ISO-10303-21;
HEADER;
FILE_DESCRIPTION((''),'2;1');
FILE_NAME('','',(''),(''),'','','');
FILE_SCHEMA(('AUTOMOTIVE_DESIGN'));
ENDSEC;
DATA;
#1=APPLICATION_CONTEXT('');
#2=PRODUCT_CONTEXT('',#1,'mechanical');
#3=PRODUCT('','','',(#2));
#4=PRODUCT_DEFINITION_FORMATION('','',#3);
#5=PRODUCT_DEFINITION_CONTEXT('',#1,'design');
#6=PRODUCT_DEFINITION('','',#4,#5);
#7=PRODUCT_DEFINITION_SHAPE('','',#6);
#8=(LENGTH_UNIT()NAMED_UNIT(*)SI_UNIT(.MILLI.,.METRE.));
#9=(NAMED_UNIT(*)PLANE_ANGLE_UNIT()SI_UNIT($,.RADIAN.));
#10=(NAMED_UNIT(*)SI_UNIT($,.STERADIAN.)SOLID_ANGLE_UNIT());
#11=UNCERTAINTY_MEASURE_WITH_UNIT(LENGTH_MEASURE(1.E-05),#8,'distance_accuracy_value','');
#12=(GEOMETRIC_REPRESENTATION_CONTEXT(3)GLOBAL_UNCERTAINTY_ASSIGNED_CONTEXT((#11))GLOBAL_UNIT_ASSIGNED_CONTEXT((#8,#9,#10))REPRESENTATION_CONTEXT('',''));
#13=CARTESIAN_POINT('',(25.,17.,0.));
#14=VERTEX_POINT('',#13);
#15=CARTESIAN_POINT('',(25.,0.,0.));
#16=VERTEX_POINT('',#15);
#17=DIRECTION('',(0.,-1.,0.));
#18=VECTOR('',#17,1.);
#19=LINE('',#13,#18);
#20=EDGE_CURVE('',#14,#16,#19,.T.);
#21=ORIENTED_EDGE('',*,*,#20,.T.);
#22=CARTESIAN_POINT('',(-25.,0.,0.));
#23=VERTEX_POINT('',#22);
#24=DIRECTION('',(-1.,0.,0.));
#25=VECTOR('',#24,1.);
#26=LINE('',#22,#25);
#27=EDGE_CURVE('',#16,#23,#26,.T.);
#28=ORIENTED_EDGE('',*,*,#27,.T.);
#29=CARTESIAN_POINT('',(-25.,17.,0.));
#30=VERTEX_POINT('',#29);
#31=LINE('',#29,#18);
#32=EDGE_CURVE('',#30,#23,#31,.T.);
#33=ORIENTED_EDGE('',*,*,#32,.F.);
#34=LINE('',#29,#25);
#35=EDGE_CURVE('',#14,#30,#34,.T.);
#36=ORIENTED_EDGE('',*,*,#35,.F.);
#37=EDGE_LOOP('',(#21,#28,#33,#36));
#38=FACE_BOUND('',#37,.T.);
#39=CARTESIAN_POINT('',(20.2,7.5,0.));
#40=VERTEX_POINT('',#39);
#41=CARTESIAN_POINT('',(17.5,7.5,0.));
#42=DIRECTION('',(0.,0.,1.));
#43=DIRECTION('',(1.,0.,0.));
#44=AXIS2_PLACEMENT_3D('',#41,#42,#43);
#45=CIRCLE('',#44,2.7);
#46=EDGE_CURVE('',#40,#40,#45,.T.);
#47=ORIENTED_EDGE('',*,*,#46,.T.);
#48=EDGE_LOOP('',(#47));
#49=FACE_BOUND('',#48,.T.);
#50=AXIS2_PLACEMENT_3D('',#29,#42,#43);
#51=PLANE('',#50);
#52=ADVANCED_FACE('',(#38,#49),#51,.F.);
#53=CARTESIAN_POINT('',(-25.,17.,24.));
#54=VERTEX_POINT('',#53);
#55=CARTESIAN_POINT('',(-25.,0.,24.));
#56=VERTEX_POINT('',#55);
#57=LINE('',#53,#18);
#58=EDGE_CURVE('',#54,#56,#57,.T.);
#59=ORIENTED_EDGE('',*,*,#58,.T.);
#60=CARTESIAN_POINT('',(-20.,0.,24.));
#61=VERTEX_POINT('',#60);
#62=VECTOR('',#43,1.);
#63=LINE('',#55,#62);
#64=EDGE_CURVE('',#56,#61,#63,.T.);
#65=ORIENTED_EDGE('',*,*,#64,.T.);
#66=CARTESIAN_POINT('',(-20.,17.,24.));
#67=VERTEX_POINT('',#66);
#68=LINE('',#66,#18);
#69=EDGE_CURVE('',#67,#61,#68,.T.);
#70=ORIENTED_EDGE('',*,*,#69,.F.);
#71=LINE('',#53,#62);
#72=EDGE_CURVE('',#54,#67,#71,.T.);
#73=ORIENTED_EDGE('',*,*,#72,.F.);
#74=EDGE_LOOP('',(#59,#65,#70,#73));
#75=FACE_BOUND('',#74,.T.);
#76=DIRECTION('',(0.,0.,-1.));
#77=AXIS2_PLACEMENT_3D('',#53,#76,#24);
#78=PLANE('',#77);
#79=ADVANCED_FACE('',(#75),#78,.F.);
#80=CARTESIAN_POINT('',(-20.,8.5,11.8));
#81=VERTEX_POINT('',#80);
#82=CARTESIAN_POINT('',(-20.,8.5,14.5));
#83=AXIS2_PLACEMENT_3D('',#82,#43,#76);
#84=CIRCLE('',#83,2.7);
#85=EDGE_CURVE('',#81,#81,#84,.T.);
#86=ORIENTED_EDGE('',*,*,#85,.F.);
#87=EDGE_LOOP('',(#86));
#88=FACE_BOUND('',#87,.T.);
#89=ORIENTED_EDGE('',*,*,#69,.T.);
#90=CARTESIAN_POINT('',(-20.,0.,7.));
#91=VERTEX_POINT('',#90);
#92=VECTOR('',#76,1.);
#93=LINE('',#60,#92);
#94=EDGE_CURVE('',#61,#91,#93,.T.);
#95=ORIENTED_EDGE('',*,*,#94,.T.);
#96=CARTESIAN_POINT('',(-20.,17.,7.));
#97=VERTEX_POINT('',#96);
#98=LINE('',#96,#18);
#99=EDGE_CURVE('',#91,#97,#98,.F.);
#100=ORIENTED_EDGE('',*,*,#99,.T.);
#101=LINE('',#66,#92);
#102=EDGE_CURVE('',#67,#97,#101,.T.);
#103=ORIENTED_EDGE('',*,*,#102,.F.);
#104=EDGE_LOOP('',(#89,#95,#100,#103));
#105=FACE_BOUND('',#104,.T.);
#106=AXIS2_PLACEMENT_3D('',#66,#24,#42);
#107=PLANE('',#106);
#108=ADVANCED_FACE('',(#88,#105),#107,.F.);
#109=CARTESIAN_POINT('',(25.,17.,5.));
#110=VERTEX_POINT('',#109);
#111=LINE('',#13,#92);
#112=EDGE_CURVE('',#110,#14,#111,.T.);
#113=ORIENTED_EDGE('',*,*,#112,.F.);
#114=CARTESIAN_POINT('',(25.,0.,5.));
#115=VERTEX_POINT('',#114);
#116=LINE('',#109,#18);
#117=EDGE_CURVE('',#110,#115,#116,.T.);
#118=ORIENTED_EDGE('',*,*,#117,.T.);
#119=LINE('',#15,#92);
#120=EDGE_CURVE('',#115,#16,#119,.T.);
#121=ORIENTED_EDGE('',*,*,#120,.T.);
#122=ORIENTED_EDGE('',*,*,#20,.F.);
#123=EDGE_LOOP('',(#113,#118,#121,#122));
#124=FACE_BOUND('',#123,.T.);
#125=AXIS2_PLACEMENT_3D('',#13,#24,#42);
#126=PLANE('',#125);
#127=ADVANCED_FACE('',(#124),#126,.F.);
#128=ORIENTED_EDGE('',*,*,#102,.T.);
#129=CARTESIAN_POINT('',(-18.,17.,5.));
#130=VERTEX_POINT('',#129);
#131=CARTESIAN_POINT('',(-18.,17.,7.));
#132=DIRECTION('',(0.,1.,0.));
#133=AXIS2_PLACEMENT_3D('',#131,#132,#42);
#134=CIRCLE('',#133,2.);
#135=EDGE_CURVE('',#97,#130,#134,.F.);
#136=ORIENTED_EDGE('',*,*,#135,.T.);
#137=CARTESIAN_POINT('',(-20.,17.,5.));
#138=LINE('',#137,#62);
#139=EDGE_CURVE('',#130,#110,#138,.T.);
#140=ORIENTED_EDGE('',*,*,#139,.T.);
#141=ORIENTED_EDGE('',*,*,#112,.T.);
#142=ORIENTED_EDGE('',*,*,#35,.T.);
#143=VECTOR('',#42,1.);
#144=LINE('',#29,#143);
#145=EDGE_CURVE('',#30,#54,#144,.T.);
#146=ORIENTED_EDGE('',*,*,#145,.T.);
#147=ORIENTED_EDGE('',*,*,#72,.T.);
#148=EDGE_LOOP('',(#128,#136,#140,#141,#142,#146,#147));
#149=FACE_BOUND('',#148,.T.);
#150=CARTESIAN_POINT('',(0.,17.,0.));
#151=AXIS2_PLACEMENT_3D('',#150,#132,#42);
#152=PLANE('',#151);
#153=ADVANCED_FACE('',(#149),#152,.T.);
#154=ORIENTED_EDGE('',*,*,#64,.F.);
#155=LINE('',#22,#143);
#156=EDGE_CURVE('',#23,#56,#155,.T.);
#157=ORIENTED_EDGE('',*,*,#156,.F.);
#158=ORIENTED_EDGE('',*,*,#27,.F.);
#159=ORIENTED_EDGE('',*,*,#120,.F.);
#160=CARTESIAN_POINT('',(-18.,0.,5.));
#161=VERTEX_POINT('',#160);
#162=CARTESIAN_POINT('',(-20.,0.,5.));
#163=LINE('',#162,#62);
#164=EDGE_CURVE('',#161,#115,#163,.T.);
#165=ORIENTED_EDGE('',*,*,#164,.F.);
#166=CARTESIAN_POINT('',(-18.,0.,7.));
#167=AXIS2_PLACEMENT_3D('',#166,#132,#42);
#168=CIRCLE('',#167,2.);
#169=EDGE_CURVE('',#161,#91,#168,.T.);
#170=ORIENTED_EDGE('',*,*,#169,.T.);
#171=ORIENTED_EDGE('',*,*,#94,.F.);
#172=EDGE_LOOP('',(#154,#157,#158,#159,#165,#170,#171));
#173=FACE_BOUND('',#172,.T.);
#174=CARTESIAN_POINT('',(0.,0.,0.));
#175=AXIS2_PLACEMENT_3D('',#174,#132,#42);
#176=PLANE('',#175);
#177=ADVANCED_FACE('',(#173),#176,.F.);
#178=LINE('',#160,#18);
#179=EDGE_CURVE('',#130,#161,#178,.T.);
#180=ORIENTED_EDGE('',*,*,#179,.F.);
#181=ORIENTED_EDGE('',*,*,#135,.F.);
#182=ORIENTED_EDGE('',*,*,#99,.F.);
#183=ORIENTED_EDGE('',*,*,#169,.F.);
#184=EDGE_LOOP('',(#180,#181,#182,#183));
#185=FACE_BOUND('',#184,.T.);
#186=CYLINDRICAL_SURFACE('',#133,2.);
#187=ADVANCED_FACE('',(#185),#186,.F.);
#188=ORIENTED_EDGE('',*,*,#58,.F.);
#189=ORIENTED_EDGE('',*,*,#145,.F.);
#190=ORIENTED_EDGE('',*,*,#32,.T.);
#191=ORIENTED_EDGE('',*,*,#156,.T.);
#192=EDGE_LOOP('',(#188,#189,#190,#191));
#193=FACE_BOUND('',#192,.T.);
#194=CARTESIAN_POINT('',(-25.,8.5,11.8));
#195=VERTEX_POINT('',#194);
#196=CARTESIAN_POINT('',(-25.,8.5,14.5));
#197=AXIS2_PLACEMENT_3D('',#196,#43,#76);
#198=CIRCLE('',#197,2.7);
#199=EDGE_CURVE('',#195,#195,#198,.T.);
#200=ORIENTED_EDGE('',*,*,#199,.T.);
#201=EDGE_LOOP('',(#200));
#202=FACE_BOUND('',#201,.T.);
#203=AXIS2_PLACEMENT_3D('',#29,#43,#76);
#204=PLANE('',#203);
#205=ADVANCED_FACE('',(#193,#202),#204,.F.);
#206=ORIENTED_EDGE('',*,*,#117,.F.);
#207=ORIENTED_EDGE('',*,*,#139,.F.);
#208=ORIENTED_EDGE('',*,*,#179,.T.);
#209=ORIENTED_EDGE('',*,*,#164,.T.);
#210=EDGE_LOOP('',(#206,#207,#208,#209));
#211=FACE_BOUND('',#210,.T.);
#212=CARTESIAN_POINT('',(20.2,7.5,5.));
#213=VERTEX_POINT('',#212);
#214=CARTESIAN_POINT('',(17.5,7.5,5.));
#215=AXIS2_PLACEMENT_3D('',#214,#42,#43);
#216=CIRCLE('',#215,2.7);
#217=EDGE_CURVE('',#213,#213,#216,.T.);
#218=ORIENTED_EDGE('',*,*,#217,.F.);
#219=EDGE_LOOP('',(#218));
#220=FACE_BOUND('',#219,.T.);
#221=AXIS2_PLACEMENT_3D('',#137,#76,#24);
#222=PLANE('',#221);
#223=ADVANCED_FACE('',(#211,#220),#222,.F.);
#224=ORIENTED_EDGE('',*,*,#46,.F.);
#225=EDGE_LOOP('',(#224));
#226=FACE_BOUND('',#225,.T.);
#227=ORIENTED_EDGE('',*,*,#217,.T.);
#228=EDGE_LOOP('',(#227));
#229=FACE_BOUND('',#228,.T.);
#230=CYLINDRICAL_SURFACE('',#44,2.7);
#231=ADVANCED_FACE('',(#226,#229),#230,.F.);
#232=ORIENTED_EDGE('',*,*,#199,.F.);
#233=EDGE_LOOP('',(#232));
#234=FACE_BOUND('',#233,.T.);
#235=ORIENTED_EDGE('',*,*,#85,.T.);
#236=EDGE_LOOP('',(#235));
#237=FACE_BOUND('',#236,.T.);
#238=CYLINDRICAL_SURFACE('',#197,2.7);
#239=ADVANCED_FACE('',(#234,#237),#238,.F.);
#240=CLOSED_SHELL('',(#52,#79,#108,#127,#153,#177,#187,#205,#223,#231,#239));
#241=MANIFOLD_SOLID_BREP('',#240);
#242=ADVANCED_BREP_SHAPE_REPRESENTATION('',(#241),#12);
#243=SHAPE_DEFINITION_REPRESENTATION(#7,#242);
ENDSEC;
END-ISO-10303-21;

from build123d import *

# Parameters (mm, degrees)
BOSS_EXTRUDE1_DEPTH = 17
SKETCH2_R           = 2.7
CUT_EXTRUDE1_DEPTH  = 54.758720223
SKETCH3_R           = 2.7
CUT_EXTRUDE2_DEPTH  = 36.707142143
FILLET1_R           = 2


with BuildPart() as part:
    # Sketch1 → Boss-Extrude1 (new body)
    with BuildSketch(Plane(origin=(0, 0, 0), x_dir=(1, 0, 0), z_dir=(0, 1, 0))):
        Polygon((-25, 0), (25, 0), (25, -5), (-20, -5), (-20, -24), (-25, -24), align=None)
    extrude(amount=BOSS_EXTRUDE1_DEPTH)

    # Sketch2 → Cut-Extrude1 (cut, through all)
    with BuildSketch(Plane(origin=(-20, 0, 0), x_dir=(0, 0, -1), z_dir=(1, 0, 0))):
        with Locations((-14.5, 8.5)):
            Circle(SKETCH2_R)
    extrude(amount=-CUT_EXTRUDE1_DEPTH, mode=Mode.SUBTRACT)

    # Sketch3 → Cut-Extrude2 (cut, through all)
    with BuildSketch(Plane.XY.offset(5)):
        with Locations((17.5, 7.5)):
            Circle(SKETCH3_R)
    extrude(amount=-CUT_EXTRUDE2_DEPTH, mode=Mode.SUBTRACT)

    # Fillet1
    fillet1_edges = [part.edges().sort_by_distance(p)[0] for p in [
        (-20, 8.5, 5),
    ]]
    fillet(fillet1_edges, radius=FILLET1_R)


solid = part.part
